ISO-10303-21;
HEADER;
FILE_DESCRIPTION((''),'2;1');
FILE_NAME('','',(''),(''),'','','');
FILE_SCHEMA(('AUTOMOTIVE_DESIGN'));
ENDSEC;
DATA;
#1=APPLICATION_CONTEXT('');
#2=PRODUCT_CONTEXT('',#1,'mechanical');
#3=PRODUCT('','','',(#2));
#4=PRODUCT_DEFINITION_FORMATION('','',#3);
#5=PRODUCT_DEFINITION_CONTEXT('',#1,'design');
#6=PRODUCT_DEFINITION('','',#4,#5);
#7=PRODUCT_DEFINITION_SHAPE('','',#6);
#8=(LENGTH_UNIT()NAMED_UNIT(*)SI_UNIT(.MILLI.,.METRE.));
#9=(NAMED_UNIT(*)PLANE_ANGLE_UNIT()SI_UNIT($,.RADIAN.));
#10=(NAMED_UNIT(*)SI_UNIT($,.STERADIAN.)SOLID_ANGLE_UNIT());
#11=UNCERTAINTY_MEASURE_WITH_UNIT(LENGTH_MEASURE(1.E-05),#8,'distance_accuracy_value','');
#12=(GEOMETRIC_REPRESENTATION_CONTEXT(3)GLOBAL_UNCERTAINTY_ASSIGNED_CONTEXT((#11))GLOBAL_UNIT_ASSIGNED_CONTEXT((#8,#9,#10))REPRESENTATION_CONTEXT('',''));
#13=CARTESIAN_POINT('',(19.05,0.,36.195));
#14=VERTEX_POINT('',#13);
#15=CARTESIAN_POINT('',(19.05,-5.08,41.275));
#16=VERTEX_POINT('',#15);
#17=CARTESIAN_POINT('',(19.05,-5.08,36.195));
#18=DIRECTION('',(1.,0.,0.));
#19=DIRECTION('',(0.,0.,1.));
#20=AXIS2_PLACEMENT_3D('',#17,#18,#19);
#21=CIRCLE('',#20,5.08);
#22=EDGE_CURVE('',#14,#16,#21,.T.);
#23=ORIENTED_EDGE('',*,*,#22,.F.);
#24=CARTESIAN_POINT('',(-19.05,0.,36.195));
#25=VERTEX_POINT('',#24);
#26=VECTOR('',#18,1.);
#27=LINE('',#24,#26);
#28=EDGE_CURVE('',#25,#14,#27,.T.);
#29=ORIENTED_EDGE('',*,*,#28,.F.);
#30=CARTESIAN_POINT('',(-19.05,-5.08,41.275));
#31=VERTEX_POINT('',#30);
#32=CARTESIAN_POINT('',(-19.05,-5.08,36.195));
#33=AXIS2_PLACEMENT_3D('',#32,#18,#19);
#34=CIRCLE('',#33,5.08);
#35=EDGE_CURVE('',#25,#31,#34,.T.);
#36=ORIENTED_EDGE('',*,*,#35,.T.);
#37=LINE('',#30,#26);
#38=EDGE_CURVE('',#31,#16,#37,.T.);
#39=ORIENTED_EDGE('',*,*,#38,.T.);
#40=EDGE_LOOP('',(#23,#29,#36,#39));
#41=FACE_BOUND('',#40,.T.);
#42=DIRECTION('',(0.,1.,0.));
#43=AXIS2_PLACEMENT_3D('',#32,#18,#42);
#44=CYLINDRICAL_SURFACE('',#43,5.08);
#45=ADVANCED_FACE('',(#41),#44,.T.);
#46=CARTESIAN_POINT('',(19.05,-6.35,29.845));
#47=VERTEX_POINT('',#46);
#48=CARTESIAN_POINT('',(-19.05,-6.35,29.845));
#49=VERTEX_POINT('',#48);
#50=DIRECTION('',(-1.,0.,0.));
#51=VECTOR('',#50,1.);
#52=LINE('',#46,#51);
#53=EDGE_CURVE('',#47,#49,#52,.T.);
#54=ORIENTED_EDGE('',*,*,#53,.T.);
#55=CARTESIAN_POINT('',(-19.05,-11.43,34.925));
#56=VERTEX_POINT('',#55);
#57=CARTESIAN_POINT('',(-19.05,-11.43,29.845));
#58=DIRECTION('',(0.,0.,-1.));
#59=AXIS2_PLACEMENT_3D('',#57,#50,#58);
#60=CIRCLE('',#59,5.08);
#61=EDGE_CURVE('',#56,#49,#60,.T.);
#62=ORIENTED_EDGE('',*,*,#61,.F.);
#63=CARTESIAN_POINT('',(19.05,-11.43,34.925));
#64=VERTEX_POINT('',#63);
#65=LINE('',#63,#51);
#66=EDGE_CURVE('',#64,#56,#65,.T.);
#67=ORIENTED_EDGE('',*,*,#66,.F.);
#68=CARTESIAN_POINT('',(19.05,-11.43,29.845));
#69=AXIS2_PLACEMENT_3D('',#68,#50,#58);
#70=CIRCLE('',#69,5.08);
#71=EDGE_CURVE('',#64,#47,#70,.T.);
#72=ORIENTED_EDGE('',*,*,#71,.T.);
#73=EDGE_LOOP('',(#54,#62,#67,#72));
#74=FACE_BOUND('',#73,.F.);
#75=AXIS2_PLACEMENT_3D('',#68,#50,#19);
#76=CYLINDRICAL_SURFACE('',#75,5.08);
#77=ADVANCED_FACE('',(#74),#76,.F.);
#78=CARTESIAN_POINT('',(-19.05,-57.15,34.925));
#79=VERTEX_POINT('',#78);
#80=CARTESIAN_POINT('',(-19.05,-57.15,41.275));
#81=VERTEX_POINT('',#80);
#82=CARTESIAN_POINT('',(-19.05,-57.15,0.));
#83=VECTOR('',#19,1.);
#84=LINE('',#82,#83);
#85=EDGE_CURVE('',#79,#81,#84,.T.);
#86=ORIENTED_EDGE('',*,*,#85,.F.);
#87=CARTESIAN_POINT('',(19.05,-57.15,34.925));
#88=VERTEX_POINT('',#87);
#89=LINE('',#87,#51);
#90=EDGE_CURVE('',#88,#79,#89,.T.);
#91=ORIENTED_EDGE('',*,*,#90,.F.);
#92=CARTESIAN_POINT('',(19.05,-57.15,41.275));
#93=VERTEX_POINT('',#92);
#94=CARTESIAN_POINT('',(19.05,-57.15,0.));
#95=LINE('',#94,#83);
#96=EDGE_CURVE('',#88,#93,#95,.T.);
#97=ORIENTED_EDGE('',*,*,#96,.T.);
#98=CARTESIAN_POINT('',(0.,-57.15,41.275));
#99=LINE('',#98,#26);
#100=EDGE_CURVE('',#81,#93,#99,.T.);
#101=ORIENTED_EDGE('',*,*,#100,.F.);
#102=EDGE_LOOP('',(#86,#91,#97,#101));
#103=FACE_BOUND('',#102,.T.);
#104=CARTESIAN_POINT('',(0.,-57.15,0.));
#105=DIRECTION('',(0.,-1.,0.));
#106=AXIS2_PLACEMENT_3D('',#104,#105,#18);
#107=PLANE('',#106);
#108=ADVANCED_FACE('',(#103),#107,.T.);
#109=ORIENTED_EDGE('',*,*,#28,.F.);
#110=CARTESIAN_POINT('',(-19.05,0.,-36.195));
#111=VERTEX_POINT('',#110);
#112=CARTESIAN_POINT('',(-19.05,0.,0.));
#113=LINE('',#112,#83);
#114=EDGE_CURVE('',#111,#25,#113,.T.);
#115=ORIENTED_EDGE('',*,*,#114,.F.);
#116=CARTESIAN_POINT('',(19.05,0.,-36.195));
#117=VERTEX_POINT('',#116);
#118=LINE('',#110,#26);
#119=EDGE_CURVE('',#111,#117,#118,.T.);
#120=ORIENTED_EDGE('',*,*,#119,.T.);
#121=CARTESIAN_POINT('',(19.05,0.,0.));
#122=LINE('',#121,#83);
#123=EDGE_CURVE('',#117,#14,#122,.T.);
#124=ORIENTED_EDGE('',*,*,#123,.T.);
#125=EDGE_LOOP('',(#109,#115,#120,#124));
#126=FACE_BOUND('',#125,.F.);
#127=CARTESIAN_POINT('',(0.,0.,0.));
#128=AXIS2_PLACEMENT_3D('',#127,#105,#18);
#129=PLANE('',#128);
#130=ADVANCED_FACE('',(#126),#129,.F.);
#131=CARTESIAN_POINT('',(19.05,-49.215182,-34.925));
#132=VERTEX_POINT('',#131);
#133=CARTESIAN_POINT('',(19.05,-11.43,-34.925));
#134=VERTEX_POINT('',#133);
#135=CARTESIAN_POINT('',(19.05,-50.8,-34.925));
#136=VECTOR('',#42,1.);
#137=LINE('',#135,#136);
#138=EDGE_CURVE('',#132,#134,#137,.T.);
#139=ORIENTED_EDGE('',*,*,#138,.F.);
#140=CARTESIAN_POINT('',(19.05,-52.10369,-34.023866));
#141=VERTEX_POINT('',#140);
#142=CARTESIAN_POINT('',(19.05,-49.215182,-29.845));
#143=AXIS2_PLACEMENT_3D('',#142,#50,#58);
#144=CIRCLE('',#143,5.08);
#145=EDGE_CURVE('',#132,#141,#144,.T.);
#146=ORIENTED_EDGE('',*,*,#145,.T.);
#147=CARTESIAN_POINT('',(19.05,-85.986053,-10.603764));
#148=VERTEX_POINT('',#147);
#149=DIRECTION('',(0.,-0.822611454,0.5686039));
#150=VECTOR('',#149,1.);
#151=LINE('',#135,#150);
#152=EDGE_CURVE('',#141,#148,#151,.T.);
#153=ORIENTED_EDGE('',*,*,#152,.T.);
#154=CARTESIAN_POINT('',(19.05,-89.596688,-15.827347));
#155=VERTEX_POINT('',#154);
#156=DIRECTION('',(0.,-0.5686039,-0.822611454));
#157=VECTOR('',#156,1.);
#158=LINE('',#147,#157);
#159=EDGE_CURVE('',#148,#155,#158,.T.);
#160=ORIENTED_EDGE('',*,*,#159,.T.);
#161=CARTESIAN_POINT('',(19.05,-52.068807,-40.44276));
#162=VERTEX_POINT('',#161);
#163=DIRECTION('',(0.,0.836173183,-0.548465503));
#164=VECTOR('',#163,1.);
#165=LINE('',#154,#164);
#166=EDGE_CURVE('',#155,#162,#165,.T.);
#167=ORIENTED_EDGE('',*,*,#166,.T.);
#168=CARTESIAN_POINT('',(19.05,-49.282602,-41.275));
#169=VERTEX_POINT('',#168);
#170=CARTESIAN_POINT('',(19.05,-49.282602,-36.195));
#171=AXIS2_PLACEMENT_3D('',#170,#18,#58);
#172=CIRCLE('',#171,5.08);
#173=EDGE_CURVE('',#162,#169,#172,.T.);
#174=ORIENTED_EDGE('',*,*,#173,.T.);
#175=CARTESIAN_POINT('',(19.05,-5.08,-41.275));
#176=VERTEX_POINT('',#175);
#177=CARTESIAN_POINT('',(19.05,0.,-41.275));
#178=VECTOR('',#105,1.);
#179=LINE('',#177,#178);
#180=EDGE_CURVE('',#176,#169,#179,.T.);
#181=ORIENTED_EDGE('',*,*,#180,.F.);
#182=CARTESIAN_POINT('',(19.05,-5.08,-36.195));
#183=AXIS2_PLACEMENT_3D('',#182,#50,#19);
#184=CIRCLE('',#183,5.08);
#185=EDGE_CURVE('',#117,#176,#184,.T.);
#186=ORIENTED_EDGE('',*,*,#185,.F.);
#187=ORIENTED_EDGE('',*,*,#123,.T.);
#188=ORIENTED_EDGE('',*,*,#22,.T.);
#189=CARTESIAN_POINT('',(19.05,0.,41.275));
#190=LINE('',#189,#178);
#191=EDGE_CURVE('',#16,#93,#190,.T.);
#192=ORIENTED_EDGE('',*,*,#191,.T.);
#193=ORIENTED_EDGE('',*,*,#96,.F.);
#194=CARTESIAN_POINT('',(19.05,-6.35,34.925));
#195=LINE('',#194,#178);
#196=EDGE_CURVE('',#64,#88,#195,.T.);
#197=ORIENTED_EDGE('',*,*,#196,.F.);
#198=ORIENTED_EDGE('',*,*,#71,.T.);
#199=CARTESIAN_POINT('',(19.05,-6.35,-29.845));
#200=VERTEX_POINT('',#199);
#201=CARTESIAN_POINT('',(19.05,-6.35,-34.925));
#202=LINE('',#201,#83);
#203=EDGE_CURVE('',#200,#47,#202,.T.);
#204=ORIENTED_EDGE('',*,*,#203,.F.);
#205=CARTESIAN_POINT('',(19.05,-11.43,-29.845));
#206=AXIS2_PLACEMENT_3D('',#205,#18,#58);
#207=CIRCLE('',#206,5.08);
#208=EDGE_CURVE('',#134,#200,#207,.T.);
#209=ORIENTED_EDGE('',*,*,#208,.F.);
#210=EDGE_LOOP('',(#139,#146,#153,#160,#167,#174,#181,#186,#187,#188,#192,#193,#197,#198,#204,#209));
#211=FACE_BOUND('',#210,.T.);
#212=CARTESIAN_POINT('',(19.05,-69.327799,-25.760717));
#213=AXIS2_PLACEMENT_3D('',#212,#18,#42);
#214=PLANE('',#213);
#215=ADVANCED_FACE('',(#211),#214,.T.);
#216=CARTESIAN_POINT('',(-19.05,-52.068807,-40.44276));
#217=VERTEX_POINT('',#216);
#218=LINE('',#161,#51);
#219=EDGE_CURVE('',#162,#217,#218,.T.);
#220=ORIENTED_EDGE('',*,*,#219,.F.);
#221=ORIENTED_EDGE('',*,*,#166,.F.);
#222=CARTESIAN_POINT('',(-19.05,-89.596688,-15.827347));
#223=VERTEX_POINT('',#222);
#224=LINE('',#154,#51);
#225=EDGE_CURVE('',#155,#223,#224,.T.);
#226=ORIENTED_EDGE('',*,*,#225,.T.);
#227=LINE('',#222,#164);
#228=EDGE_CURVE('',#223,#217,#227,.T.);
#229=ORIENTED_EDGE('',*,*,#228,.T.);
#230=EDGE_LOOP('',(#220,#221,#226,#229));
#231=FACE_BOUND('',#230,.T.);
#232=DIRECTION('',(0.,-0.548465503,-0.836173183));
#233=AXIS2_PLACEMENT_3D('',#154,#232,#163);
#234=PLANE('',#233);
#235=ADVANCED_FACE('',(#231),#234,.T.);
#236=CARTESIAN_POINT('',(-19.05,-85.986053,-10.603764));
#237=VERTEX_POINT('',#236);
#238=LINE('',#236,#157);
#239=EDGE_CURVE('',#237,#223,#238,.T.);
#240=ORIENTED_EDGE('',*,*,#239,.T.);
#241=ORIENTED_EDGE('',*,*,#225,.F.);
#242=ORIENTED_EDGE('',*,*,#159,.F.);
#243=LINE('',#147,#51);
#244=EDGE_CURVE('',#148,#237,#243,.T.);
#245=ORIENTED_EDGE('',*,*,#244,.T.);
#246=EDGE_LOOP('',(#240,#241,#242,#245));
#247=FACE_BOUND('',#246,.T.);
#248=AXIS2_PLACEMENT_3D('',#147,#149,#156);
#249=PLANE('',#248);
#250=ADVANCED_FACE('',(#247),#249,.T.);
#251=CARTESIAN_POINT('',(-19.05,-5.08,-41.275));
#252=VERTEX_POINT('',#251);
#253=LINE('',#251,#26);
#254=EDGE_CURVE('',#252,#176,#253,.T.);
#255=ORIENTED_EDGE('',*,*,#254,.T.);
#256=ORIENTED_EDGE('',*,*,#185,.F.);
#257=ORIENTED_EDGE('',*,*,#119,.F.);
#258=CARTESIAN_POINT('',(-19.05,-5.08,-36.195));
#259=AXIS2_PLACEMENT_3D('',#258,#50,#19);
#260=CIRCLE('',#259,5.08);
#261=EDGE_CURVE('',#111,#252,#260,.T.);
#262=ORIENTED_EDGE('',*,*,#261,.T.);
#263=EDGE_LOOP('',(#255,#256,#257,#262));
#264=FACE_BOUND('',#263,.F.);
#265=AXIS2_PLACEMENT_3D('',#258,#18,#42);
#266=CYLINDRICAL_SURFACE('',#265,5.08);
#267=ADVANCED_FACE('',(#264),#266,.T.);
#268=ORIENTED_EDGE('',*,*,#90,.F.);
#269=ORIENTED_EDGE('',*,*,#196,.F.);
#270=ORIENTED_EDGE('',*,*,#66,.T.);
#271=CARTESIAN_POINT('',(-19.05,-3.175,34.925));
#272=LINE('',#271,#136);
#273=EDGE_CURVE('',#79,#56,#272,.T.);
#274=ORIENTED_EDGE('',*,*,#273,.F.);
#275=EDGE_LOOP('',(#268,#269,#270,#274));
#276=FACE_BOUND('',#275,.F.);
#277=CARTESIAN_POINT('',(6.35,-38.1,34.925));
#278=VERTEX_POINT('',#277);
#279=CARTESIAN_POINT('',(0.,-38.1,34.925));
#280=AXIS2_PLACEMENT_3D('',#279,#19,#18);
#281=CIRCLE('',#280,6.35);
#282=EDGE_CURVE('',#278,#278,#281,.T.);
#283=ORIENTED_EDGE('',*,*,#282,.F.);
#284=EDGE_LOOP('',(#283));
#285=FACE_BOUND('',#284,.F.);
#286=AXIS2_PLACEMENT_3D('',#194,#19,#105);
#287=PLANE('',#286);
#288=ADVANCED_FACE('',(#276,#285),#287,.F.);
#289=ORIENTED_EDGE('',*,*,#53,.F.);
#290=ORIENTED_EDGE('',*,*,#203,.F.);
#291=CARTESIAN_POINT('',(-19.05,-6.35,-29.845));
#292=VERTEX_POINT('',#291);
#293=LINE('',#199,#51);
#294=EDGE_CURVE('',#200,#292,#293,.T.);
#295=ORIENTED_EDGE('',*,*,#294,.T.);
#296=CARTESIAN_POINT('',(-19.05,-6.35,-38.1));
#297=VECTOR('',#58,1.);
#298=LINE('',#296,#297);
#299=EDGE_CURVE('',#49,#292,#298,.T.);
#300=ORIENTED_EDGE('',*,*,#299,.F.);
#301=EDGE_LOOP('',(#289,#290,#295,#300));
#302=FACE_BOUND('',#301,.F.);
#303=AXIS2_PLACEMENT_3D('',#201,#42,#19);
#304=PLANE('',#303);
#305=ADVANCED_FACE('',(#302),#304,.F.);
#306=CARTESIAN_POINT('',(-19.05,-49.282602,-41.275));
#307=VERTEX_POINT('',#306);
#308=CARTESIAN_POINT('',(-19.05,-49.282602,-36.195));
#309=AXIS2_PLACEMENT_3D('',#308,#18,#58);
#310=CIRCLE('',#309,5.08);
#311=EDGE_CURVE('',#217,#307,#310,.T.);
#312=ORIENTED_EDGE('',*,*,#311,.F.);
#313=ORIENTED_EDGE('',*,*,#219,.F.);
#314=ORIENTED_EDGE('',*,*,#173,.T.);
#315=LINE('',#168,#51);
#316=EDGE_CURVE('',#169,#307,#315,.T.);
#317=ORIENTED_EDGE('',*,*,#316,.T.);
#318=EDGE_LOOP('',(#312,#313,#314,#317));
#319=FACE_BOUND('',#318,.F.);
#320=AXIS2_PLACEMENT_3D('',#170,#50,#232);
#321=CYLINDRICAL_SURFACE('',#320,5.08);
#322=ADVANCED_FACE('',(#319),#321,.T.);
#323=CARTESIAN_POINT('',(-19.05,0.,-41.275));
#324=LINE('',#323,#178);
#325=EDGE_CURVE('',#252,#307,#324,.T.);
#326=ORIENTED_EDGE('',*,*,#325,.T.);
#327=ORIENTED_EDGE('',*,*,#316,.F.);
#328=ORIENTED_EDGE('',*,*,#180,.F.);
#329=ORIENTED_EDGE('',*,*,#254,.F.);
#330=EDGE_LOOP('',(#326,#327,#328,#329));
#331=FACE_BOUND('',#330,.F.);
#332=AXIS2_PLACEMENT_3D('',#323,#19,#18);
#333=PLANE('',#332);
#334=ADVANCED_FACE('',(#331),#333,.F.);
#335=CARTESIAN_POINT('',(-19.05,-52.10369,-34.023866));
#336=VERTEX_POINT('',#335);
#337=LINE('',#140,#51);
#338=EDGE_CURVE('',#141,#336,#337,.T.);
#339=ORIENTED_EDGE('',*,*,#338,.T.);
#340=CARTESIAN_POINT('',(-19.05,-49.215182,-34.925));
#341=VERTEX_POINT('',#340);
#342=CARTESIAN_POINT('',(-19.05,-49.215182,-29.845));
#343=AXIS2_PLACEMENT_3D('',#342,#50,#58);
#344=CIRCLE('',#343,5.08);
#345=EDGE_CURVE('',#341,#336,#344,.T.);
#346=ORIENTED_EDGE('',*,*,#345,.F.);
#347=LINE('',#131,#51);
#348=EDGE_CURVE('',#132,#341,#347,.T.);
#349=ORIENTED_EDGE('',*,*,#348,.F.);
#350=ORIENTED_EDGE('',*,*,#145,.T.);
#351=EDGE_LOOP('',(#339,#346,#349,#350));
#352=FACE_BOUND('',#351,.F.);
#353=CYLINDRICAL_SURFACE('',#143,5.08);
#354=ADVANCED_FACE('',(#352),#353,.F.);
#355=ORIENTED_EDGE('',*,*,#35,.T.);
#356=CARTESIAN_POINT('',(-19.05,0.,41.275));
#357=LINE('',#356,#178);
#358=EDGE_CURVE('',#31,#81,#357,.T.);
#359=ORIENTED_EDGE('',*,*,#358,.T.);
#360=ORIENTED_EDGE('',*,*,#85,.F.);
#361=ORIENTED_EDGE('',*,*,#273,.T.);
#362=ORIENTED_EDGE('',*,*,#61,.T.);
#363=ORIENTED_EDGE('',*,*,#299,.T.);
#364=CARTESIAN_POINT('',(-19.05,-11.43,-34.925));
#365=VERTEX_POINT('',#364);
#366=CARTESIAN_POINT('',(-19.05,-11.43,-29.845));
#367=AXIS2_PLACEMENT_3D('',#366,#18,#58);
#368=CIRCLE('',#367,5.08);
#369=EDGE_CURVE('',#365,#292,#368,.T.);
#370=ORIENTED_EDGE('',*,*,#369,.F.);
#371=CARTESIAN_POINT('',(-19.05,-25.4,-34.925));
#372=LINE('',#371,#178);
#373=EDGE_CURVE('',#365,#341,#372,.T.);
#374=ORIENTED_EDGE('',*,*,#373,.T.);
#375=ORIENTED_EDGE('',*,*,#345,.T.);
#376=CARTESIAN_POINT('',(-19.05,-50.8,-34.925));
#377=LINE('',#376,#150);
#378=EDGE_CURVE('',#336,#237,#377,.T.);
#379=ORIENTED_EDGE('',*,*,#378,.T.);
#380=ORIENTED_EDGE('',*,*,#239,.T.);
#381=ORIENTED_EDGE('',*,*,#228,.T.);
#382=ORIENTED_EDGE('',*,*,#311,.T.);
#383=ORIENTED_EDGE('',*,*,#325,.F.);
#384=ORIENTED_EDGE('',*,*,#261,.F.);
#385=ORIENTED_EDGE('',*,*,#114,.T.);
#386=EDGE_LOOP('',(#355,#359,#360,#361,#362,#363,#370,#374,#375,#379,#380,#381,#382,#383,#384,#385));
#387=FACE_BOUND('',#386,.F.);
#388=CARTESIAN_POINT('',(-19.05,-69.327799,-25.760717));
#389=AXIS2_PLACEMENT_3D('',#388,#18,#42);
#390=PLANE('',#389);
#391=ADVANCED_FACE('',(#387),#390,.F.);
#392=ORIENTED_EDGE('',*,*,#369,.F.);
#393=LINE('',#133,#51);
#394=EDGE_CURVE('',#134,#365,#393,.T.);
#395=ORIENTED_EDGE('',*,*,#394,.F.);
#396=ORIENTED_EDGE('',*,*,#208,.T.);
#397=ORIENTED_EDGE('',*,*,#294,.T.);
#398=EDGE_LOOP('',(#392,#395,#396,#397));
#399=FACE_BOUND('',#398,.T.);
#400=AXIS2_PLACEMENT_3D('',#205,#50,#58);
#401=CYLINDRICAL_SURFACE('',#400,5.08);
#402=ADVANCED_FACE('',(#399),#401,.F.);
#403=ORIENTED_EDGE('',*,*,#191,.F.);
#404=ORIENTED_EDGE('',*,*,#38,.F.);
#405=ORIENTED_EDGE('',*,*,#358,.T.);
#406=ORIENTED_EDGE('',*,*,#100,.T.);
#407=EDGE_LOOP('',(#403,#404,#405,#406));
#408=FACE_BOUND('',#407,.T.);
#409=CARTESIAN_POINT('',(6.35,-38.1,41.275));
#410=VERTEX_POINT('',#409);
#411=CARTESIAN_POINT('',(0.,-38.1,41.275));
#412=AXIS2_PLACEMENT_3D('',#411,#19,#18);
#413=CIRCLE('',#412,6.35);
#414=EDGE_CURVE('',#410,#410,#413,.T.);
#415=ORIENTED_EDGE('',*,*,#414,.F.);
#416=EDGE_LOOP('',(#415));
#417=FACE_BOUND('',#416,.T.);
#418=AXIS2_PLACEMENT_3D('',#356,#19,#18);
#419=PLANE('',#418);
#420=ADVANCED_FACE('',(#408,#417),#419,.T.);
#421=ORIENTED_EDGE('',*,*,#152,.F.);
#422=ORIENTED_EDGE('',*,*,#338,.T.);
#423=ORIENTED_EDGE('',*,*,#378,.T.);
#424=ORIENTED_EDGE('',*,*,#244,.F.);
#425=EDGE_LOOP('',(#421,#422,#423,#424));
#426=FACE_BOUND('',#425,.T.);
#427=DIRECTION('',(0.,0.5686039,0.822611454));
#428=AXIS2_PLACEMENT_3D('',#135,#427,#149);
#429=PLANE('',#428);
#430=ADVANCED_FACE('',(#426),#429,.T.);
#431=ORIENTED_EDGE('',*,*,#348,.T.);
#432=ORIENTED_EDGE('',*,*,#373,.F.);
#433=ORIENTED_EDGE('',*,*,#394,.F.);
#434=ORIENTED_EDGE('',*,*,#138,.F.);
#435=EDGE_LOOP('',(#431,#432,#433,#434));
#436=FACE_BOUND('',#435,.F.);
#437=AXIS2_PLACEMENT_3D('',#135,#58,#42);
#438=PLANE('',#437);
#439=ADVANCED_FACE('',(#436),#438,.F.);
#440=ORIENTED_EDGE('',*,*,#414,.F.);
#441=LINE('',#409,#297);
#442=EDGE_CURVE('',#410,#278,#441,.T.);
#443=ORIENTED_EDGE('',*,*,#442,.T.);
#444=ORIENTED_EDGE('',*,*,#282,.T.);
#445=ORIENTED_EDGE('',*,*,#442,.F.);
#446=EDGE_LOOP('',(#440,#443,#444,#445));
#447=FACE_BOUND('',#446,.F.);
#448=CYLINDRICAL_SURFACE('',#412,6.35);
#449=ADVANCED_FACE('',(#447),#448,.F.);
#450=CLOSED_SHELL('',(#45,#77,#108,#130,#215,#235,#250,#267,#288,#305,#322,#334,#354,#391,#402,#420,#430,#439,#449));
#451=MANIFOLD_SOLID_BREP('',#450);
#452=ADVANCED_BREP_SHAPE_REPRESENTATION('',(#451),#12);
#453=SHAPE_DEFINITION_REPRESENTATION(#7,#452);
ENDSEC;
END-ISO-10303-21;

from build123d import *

# Parameters (mm, degrees)
F0_W      = 38.1
F0_H      = 82.55
F1_DEPTH  = 57.15
F3_DEPTH  = 48.006
F5_DEPTH  = 38.1
F6_R      = 5.08
F7_R      = 5.08
F8_R      = 5.08
F9_R      = 5.08
F10_R     = 5.08
F11_R     = 6.35
F12_DEPTH = 25.4


with BuildPart() as f1:
    # F0 (on Front) → F1 (new body)
    with BuildSketch(Plane.XZ):
        Rectangle(F0_W, F0_H)
    extrude(amount=F1_DEPTH)

    # F2 (on face) → F3 (cut)
    with BuildSketch(Plane.YZ.offset(19.05)):
        Polygon((-6.35, 34.925), (-57.15, 34.925), (-57.15, -41.275), (-50.8, -41.275), (-50.8, -34.925), (-6.35, -34.925), align=None)
    extrude(amount=-F3_DEPTH, mode=Mode.SUBTRACT)

    # F4 (on face) → F5 (join)
    with BuildSketch(Plane.YZ.offset(19.05)):
        Polygon((-50.8, -41.275), (-50.8, -34.925), (-85.9860533047, -10.6037642213), (-89.5966880699, -15.8273469566), align=None)
    extrude(amount=-F5_DEPTH)

    # F6
    f6_edges = [f1.edges().sort_by_distance(p)[0] for p in [
        (0, 0, 41.275),
    ]]
    fillet(f6_edges, radius=F6_R)

    # F7
    f7_edges = [f1.edges().sort_by_distance(p)[0] for p in [
        (0, -6.35, 34.925),
    ]]
    fillet(f7_edges, radius=F7_R)

    # F8
    f8_edges = [f1.edges().sort_by_distance(p)[0] for p in [
        (0, 0, -41.275),
    ]]
    fillet(f8_edges, radius=F8_R)

    # F9
    f9_edges = [f1.edges().sort_by_distance(p)[0] for p in [
        (0, -6.35, -34.925),
    ]]
    fillet(f9_edges, radius=F9_R)

    # F10
    f10_edges = [f1.edges().sort_by_distance(p)[0] for p in [
        (0, -50.8, -34.925),
        (0, -50.8, -41.275),
    ]]
    fillet(f10_edges, radius=F10_R)

    # F11 (on face) → F12 (cut)
    with BuildSketch(Plane.XY.offset(41.275)):
        with Locations((0, -38.1)):
            Circle(F11_R)
    extrude(amount=-F12_DEPTH, mode=Mode.SUBTRACT)


solid = f1.part
